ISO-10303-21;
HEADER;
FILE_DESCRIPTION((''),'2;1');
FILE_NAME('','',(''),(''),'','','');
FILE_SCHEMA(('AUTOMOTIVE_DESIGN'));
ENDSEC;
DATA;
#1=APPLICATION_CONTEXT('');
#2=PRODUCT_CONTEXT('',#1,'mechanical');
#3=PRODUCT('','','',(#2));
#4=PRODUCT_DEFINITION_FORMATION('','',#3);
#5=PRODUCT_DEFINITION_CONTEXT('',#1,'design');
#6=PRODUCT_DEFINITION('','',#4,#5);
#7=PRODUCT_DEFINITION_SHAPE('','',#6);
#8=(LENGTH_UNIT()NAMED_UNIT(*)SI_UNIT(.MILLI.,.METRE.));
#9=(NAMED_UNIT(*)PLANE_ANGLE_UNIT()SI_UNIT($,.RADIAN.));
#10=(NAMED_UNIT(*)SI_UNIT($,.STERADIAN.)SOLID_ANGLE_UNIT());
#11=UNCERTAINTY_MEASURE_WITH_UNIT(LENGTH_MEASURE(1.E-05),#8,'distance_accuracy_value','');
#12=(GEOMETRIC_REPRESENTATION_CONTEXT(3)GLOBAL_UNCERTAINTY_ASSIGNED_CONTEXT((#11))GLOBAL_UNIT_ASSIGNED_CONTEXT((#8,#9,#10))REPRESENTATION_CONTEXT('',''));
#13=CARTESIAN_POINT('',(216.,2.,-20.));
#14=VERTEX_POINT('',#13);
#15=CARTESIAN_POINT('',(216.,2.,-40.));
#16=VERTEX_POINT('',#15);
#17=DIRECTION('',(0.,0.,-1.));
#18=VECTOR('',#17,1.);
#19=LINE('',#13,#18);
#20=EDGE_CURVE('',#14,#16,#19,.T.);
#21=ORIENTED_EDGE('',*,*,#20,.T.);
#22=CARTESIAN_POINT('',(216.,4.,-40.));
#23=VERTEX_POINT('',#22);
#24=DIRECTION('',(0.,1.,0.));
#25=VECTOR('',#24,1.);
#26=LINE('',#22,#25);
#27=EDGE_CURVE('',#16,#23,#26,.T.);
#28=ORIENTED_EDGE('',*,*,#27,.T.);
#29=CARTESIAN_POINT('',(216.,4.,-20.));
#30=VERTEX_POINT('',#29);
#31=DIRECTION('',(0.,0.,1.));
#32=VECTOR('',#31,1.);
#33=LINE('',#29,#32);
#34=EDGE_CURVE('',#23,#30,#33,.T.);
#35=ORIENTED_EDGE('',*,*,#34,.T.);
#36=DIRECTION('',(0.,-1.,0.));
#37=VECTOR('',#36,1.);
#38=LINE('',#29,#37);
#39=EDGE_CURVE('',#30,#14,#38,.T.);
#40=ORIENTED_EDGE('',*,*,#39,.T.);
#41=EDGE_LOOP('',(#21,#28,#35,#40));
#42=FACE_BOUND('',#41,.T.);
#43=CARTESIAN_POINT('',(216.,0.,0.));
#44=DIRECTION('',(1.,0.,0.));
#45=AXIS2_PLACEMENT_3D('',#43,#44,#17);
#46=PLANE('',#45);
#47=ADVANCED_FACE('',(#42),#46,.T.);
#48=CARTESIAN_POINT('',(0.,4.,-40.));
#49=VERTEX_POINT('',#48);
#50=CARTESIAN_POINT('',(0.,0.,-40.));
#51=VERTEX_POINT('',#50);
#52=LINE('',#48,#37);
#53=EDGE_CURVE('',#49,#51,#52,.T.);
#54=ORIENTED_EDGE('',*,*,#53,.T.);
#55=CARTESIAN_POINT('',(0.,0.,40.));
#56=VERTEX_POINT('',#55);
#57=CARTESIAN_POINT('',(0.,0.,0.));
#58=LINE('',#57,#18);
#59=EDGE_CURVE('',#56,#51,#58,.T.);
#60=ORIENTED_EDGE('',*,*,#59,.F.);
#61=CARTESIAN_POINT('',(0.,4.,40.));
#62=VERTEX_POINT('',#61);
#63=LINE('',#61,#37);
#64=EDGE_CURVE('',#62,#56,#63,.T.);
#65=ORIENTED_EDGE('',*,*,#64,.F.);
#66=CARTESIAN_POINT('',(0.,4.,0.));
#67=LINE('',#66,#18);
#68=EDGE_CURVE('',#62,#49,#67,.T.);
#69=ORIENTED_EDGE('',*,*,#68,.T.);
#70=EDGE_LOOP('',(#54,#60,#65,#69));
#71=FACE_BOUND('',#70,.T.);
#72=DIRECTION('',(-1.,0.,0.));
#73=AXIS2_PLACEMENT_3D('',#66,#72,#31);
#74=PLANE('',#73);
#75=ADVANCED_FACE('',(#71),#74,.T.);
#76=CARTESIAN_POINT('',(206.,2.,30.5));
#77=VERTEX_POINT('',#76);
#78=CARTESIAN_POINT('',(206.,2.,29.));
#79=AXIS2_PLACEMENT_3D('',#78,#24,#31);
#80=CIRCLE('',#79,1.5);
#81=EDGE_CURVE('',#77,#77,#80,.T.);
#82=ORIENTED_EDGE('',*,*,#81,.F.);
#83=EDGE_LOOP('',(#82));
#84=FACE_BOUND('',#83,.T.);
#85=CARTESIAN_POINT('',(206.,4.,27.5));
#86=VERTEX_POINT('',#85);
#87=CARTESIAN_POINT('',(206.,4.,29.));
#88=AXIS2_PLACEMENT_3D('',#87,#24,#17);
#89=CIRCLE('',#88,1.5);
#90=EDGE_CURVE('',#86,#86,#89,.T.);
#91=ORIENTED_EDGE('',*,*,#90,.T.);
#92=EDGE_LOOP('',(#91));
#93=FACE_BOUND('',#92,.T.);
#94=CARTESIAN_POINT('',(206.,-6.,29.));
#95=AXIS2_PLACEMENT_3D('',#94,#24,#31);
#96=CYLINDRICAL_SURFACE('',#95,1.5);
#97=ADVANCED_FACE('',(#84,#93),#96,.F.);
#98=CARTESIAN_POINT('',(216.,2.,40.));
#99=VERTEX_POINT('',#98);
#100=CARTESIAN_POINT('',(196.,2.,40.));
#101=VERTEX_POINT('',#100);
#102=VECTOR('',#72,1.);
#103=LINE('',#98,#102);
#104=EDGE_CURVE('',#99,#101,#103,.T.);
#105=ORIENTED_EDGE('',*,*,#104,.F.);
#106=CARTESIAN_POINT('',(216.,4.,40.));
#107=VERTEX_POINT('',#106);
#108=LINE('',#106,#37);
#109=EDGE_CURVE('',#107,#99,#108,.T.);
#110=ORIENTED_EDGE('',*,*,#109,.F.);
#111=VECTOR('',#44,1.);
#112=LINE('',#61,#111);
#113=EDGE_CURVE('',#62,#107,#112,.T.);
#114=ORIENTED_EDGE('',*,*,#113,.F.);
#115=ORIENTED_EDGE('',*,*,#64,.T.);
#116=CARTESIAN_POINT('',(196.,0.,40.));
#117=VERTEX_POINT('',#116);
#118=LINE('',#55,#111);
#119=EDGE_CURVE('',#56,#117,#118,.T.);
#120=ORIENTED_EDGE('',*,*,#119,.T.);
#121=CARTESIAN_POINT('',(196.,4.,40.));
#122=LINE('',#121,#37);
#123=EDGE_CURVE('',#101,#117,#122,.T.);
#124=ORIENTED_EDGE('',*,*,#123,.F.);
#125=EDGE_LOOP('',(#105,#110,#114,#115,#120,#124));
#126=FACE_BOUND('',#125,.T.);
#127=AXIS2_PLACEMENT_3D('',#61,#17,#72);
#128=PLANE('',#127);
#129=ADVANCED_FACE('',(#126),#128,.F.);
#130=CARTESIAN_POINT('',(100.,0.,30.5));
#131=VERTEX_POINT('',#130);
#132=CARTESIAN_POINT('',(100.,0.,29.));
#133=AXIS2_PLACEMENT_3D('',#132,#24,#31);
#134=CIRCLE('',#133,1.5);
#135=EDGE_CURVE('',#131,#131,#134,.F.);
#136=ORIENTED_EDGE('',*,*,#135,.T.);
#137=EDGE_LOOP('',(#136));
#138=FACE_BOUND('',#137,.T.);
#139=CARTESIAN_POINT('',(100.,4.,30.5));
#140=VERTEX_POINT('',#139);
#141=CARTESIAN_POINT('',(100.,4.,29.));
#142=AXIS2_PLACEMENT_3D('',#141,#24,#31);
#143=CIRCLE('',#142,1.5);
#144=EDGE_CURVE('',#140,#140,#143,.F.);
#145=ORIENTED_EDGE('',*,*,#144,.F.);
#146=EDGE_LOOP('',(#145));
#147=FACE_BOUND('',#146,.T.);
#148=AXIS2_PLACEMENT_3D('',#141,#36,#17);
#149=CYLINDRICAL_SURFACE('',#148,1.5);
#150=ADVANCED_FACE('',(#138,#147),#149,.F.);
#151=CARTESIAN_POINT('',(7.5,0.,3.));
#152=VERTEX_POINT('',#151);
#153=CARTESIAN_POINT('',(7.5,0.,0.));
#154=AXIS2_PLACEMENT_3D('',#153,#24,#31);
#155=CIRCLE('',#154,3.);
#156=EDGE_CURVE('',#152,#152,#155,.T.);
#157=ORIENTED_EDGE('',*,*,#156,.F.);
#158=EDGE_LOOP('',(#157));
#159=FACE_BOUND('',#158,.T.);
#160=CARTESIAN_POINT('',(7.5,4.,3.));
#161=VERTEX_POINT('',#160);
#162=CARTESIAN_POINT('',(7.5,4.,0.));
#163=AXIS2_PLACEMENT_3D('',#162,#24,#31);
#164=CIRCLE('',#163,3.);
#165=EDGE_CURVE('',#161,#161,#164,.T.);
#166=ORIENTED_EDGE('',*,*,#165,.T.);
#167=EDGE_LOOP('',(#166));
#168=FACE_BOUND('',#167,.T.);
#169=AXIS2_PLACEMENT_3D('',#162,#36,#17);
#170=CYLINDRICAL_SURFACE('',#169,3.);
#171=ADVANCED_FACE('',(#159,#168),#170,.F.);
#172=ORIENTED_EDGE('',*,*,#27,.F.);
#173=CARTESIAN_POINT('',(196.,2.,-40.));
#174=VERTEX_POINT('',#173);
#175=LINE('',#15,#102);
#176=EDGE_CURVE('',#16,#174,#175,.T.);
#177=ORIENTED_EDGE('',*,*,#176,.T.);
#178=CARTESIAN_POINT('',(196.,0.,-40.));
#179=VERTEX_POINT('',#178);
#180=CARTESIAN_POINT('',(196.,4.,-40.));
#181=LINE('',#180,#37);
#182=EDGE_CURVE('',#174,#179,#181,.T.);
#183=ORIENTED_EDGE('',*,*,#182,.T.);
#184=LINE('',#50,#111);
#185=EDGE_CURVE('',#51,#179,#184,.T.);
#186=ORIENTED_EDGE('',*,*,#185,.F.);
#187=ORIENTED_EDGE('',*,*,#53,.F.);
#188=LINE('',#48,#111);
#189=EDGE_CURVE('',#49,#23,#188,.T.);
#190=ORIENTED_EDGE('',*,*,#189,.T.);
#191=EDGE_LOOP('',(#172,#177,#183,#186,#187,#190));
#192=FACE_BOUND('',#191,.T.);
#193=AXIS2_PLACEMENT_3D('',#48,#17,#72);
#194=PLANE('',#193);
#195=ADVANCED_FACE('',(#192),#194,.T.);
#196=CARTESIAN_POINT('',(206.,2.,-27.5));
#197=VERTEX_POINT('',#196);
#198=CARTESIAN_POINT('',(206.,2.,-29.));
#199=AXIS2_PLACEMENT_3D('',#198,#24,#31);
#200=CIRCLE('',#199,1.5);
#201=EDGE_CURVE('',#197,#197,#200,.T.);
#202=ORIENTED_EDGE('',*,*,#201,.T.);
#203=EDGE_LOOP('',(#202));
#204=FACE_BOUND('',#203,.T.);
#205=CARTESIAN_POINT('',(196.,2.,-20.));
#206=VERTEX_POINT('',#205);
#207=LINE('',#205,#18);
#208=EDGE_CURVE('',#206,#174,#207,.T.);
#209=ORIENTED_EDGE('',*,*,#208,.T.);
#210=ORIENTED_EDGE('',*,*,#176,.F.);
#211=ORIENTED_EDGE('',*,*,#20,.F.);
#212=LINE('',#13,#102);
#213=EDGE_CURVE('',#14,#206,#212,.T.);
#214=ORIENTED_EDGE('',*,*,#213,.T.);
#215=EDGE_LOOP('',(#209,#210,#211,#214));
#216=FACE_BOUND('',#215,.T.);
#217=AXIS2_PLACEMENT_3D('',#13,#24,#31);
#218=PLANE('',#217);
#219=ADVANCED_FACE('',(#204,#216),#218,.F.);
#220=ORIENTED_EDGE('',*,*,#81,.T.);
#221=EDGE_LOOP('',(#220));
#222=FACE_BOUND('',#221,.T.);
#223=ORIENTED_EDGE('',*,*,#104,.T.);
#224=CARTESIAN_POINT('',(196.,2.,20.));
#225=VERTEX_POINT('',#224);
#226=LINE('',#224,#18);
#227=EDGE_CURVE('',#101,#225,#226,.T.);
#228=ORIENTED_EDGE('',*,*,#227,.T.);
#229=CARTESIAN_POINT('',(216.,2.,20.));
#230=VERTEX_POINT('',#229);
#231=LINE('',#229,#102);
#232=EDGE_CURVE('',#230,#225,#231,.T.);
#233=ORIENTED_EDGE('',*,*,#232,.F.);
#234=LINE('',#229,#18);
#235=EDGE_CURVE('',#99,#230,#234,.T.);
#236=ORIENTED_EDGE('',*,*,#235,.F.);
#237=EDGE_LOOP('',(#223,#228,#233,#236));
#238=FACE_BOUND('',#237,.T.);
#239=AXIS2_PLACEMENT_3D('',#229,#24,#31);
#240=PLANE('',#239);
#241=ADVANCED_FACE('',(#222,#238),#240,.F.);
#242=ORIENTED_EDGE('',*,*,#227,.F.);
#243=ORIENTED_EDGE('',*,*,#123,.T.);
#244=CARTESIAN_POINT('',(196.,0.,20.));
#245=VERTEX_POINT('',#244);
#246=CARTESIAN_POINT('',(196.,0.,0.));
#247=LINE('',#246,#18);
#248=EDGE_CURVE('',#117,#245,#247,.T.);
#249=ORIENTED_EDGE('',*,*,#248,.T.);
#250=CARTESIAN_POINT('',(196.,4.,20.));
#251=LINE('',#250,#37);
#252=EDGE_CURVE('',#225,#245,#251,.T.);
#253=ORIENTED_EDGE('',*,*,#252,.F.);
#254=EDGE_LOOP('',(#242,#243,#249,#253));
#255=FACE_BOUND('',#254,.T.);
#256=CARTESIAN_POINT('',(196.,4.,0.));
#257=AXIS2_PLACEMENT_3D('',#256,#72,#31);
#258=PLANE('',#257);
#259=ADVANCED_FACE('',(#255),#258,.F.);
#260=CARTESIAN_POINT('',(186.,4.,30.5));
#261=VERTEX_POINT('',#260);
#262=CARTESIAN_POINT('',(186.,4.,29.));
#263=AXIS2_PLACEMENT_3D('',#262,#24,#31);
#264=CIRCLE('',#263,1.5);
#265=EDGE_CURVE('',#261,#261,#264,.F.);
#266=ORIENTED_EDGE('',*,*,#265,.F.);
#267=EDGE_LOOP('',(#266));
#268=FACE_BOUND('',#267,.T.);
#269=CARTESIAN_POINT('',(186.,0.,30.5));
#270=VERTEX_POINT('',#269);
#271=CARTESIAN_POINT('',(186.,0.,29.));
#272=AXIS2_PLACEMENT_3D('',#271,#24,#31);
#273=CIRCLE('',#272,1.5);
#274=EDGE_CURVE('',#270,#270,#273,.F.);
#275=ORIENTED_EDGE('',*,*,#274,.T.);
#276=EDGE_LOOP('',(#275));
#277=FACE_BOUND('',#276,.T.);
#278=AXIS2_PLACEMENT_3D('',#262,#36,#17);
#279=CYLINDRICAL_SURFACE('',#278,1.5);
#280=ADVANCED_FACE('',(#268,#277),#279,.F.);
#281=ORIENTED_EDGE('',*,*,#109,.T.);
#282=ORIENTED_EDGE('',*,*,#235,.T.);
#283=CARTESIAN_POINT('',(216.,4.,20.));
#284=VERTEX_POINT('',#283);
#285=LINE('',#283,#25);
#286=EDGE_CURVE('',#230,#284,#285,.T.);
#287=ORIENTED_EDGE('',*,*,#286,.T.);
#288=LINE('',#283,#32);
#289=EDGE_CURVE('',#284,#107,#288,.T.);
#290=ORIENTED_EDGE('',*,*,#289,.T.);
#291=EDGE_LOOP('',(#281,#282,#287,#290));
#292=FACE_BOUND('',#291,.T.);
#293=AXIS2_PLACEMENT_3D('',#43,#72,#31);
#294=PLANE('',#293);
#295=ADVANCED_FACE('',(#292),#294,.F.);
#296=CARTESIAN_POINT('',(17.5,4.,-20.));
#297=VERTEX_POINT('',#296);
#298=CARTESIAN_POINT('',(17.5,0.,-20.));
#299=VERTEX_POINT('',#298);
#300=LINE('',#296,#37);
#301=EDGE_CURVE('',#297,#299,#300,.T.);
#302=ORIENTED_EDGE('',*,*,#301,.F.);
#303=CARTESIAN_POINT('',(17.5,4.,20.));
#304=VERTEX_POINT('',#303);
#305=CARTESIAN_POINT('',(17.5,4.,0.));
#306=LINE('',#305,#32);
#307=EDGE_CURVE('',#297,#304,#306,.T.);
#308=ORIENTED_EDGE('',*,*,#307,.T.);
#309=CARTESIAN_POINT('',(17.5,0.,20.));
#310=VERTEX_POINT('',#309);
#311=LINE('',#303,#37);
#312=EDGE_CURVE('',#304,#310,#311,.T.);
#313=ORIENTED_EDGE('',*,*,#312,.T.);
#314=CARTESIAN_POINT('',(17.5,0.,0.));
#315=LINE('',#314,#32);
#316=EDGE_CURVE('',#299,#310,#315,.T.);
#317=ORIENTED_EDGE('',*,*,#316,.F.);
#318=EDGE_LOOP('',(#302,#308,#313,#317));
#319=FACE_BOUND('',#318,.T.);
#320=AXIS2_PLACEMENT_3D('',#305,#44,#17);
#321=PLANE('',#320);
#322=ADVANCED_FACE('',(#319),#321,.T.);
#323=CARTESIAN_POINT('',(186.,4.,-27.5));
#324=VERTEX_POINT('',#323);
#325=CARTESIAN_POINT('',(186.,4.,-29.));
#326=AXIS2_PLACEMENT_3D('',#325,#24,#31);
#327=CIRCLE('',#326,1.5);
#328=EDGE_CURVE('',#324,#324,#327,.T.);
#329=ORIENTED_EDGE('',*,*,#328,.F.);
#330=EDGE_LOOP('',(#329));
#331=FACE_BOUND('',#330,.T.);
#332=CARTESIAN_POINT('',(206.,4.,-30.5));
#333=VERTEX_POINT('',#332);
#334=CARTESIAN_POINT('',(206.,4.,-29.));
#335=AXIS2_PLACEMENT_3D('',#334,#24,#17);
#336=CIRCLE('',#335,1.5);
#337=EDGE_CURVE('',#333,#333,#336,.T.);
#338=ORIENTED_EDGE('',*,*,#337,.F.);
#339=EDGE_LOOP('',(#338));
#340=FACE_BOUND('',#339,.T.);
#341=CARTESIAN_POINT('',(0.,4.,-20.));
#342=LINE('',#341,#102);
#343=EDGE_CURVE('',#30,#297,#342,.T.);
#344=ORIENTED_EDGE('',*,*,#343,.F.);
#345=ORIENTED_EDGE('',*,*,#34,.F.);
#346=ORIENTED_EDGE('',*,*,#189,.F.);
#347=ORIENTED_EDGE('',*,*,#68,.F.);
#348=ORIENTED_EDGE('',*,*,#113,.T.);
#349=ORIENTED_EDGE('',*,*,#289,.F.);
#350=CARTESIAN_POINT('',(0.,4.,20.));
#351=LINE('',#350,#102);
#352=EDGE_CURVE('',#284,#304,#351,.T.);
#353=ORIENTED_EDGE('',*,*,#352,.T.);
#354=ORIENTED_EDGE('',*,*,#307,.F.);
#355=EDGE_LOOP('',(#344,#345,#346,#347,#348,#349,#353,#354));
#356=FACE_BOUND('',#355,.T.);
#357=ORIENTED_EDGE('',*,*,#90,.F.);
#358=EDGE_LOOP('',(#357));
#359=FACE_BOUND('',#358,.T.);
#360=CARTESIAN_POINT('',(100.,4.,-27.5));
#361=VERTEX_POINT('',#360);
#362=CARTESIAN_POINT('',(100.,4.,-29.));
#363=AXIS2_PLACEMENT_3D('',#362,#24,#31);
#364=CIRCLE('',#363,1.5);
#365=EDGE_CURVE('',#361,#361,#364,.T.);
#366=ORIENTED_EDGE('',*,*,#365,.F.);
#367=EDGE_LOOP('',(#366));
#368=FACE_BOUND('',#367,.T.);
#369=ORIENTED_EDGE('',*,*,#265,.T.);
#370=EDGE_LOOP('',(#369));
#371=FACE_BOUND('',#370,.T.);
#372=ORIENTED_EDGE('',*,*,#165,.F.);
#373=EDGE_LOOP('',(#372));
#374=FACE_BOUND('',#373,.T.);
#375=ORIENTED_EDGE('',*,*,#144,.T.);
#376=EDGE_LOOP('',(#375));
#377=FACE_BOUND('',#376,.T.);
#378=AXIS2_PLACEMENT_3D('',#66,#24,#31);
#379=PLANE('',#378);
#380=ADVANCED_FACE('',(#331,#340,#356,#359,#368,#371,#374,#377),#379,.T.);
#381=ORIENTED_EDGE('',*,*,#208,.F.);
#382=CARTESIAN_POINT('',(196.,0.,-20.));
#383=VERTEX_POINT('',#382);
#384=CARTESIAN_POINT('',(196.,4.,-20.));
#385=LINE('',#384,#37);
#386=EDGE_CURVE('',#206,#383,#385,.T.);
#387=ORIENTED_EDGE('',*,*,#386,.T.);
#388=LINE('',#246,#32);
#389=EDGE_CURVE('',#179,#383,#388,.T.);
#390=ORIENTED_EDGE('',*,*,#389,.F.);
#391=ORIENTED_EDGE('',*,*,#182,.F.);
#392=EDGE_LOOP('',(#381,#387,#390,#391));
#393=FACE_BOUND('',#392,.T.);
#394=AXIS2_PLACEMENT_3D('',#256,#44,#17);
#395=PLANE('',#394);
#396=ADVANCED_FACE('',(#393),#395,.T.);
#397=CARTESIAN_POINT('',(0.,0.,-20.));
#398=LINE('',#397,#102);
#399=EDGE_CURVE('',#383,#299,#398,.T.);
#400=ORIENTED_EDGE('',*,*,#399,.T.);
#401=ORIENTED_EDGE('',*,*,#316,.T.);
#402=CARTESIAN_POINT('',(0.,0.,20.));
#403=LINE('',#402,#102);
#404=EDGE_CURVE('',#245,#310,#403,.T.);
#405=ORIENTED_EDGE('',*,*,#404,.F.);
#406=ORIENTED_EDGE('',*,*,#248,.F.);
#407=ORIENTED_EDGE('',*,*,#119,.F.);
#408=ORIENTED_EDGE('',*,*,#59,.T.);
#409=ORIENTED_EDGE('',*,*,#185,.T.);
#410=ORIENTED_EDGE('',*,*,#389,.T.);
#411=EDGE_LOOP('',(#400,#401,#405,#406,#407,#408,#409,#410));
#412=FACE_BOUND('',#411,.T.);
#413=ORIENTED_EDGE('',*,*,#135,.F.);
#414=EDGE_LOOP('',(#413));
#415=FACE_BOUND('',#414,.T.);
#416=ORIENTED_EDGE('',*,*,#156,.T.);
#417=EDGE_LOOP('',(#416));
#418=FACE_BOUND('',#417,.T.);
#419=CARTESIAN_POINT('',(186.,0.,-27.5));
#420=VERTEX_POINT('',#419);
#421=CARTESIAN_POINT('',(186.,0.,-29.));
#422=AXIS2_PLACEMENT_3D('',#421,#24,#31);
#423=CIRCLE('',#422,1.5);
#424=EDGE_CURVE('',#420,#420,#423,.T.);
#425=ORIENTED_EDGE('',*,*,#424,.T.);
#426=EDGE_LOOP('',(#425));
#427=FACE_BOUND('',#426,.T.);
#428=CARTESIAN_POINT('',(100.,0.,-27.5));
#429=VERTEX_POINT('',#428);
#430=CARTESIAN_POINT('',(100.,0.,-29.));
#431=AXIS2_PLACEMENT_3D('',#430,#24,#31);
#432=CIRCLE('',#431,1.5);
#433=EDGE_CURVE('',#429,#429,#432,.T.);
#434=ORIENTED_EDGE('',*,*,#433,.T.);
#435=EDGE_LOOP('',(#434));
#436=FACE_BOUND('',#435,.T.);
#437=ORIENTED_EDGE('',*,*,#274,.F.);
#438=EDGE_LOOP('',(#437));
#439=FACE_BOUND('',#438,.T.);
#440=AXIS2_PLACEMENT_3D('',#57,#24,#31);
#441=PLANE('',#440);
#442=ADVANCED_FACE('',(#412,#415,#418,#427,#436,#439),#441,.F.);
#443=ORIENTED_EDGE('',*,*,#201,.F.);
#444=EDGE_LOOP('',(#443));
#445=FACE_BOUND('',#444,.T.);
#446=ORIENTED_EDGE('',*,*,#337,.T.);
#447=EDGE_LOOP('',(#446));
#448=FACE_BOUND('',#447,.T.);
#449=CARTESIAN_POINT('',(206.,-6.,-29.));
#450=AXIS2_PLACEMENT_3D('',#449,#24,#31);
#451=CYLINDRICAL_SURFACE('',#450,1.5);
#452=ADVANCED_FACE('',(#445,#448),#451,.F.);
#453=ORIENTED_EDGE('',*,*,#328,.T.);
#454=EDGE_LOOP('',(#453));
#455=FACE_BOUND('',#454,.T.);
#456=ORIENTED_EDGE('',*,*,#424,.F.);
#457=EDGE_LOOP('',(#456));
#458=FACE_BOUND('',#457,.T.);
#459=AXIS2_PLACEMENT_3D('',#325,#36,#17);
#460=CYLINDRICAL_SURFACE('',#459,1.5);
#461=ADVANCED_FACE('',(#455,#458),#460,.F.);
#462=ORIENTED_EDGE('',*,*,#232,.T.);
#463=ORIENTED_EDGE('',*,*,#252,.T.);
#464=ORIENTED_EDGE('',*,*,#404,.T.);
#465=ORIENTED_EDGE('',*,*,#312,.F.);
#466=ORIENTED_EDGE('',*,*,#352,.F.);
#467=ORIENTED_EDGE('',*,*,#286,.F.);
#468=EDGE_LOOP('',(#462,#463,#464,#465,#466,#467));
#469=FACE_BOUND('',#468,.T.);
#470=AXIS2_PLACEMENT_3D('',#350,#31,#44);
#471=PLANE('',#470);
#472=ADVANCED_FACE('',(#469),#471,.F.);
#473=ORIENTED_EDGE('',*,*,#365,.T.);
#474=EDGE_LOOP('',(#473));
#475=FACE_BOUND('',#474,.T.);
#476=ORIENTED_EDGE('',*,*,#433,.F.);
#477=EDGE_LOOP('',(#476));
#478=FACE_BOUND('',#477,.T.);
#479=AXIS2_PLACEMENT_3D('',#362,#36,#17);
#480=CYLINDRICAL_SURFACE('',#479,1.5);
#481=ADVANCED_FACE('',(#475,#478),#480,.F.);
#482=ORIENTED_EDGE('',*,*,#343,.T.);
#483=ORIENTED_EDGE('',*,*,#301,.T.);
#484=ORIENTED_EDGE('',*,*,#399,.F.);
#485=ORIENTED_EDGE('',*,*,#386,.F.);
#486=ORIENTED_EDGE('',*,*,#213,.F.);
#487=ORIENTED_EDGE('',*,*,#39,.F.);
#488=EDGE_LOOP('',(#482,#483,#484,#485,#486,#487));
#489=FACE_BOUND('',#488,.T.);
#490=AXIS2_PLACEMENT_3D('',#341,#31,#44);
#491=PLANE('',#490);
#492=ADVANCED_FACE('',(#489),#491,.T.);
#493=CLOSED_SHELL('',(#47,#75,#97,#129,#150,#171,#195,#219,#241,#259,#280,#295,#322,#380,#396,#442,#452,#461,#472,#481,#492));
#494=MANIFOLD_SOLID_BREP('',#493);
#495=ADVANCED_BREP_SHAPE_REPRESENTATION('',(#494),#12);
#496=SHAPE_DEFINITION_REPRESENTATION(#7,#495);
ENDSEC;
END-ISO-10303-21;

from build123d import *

# Parameters (mm, degrees)
SKETCH1_R           = 1.5
BOSS_EXTRUDE1_DEPTH = 4
SKETCH2_W           = 20
SKETCH2_H           = 2
BOSS_EXTRUDE2_DEPTH = 20
CUT_EXTRUDE1_START  = -10
SKETCH4_R           = 1.5
CUT_EXTRUDE1_DEPTH  = 10


with BuildPart() as part:
    # Sketch1 → Boss-Extrude1 (new body)
    # profile 1 of 2: a face of its own
    with BuildSketch(Plane(origin=(0, 0, 0), x_dir=(1, 0, 0), z_dir=(0, 1, 0))):
        with BuildLine():
            Line((0, 0), (0, -40))
            Line((0, -40), (196, -40))
            Line((196, -40), (196, -20))
            Line((196, -20), (17.5, -20))
            Line((17.5, -20), (17.5, 0))
            Line((17.5, 0), (10.5, 0))
            ThreePointArc((10.5, 0), (7.5, -3), (4.5, 0))
            Line((4.5, 0), (0, 0))
        make_face()
        with Locations(Location((100, -29, 0), (0, 0, 270))):
            Circle(SKETCH1_R, mode=Mode.SUBTRACT)
        with Locations(Location((186, -29, 0), (0, 0, 270))):
            Circle(SKETCH1_R, mode=Mode.SUBTRACT)
    # profile 2 of 2: a face of its own
    with BuildSketch(Plane(origin=(0, 0, 0), x_dir=(1, 0, 0), z_dir=(0, 1, 0))):
        with BuildLine():
            Line((0, 40), (0, 0))
            Line((0, 0), (4.5, 0))
            ThreePointArc((4.5, 0), (7.5, 3), (10.5, 0))
            Line((10.5, 0), (17.5, 0))
            Line((17.5, 0), (17.5, 20))
            Line((17.5, 20), (196, 20))
            Line((196, 20), (196, 40))
            Line((196, 40), (0, 40))
        make_face()
        with Locations(Location((100, 29, 0), (0, 0, 270))):
            Circle(SKETCH1_R, mode=Mode.SUBTRACT)
        with Locations(Location((186, 29, 0), (0, 0, 270))):
            Circle(SKETCH1_R, mode=Mode.SUBTRACT)
    extrude(amount=BOSS_EXTRUDE1_DEPTH)

    # Sketch2 → Boss-Extrude2 (add)
    with BuildSketch(Plane(origin=(196, 0, 0), x_dir=(0, 0, -1), z_dir=(1, 0, 0))):
        with Locations((30, 3)):
            Rectangle(SKETCH2_W, SKETCH2_H)
        with Locations((-30, 3)):
            Rectangle(SKETCH2_W, SKETCH2_H)
    extrude(amount=BOSS_EXTRUDE2_DEPTH)

    # Sketch4 → Cut-Extrude1 (cut)
    with BuildSketch(Plane(origin=(0, 4, 0), x_dir=(1, 0, 0), z_dir=(0, 1, 0)).offset(CUT_EXTRUDE1_START)):
        with Locations(Location((186, 29, 0), (0, 0, 270))):
            Circle(SKETCH4_R)
        with Locations(Location((186, -29, 0), (0, 0, 270))):
            Circle(SKETCH4_R)
        with Locations(Location((206, 29, 0), (0, 0, 270))):
            Circle(SKETCH4_R)
        with Locations(Location((206, -29, 0), (0, 0, 270))):
            Circle(SKETCH4_R)
    extrude(amount=CUT_EXTRUDE1_DEPTH, mode=Mode.SUBTRACT)


solid = part.part
